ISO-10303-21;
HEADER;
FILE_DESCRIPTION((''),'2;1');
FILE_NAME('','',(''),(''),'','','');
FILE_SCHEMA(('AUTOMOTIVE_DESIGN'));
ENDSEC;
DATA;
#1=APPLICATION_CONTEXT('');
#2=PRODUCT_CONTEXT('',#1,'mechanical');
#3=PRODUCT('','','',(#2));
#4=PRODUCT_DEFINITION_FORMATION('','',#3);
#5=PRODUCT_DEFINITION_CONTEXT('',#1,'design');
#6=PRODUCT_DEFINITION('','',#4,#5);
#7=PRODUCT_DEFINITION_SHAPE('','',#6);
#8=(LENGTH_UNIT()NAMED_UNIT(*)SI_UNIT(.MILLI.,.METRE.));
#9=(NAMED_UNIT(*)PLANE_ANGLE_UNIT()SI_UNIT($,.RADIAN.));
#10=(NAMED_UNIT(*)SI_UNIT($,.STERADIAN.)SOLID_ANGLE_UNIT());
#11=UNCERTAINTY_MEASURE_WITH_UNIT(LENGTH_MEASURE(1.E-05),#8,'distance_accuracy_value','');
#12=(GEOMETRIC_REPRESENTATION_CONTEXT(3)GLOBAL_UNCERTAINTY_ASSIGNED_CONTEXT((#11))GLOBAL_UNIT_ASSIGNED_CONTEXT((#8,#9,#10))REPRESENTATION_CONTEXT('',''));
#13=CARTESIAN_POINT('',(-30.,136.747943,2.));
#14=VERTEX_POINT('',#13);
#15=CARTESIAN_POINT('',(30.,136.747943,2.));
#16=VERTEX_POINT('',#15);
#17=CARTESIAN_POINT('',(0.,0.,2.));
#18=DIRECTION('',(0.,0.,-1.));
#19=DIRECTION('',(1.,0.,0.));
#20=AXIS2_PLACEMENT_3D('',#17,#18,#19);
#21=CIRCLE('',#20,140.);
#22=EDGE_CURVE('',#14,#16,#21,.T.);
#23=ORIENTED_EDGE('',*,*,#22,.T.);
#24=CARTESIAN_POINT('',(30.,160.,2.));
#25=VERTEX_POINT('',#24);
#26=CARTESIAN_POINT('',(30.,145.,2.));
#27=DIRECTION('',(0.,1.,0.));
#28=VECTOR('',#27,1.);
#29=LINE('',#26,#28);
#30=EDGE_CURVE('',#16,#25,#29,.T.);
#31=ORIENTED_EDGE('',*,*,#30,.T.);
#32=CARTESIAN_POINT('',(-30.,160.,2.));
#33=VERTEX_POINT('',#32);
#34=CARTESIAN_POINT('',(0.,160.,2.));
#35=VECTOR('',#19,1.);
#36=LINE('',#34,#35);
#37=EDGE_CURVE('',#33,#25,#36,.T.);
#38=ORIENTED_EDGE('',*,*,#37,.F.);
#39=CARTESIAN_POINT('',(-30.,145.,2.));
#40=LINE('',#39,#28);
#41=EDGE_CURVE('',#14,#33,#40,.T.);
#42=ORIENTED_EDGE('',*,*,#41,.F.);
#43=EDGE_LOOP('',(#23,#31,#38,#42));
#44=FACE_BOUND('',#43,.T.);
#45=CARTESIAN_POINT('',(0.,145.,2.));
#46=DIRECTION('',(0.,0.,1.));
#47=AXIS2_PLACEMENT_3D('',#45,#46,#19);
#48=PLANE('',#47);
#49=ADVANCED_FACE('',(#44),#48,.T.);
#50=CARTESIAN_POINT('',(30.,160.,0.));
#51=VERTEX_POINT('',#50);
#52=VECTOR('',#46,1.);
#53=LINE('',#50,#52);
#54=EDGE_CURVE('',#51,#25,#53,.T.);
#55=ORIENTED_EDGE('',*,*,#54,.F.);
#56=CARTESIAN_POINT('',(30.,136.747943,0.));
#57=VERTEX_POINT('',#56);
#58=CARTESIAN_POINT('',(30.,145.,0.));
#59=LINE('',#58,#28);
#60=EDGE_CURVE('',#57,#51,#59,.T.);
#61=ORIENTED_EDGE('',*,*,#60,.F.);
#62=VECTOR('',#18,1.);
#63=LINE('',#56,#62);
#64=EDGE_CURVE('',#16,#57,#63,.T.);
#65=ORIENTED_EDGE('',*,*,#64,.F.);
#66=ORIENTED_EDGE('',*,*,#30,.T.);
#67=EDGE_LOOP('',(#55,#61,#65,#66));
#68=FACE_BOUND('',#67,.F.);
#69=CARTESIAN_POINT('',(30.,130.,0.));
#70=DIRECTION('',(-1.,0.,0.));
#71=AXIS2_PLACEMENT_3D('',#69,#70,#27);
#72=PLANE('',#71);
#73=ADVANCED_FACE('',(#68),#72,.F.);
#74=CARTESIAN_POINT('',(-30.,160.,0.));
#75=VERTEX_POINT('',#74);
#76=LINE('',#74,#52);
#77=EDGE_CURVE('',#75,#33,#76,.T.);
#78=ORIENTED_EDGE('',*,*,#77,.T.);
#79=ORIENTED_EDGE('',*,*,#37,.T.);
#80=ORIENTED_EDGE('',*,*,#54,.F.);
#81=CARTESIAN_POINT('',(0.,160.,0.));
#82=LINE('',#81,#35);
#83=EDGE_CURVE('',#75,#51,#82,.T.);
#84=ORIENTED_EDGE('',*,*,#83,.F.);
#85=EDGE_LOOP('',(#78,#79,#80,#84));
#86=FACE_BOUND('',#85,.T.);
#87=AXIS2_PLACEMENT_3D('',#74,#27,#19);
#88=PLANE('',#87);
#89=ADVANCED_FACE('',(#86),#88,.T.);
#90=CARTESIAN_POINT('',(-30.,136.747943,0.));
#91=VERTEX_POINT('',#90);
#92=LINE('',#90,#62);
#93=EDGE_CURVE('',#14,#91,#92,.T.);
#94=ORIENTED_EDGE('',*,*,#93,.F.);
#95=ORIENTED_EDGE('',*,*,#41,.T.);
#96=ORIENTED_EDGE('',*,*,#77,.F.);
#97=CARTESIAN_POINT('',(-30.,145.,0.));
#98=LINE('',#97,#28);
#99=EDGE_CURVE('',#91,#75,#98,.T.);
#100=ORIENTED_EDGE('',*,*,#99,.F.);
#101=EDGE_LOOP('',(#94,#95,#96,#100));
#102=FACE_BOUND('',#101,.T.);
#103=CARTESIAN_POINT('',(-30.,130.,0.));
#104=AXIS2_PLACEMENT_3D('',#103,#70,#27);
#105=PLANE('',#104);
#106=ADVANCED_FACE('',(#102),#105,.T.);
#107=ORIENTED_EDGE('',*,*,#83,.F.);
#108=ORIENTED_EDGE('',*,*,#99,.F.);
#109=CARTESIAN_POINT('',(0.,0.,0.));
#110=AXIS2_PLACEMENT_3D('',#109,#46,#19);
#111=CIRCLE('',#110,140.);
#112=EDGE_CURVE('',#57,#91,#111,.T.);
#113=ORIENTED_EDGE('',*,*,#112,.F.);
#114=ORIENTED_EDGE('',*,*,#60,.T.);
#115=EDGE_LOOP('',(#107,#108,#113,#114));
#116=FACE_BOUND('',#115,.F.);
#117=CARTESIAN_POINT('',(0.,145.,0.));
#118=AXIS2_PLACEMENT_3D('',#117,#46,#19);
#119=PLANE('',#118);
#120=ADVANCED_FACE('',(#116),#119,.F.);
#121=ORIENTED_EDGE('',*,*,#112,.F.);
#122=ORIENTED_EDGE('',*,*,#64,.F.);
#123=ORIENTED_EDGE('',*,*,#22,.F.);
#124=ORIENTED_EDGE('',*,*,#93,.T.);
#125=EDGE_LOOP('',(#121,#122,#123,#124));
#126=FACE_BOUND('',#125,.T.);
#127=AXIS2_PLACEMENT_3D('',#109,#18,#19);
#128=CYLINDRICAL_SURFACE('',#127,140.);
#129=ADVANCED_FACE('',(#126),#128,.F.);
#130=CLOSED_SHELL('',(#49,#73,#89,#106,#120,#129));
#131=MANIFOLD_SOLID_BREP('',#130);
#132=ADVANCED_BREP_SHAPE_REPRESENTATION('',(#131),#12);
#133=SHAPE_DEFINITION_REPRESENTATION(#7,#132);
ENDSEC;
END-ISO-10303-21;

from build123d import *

# Parameters (mm, degrees)
CYLINDER_R     = 140
CYLINDER_DEPTH = 10
BOX_W          = 60
BOX_H          = 30
BOX_DEPTH      = 2


with BuildPart() as cylinder:
    # Cylinder → Cylinder (new body)
    with BuildSketch(Plane.XY):
        Circle(CYLINDER_R)
    extrude(amount=CYLINDER_DEPTH)


with BuildPart() as cut:
    # Box → Box (new body)
    with BuildSketch(Plane(origin=(-30, 130, 0), x_dir=(1, 0, 0), z_dir=(0, 0, 1))):
        with Locations((30, 15)):
            Rectangle(BOX_W, BOX_H)
    extrude(amount=BOX_DEPTH)

    # Cut: cut Cylinder
    add(cylinder.part, mode=Mode.SUBTRACT)


solid = cut.part
